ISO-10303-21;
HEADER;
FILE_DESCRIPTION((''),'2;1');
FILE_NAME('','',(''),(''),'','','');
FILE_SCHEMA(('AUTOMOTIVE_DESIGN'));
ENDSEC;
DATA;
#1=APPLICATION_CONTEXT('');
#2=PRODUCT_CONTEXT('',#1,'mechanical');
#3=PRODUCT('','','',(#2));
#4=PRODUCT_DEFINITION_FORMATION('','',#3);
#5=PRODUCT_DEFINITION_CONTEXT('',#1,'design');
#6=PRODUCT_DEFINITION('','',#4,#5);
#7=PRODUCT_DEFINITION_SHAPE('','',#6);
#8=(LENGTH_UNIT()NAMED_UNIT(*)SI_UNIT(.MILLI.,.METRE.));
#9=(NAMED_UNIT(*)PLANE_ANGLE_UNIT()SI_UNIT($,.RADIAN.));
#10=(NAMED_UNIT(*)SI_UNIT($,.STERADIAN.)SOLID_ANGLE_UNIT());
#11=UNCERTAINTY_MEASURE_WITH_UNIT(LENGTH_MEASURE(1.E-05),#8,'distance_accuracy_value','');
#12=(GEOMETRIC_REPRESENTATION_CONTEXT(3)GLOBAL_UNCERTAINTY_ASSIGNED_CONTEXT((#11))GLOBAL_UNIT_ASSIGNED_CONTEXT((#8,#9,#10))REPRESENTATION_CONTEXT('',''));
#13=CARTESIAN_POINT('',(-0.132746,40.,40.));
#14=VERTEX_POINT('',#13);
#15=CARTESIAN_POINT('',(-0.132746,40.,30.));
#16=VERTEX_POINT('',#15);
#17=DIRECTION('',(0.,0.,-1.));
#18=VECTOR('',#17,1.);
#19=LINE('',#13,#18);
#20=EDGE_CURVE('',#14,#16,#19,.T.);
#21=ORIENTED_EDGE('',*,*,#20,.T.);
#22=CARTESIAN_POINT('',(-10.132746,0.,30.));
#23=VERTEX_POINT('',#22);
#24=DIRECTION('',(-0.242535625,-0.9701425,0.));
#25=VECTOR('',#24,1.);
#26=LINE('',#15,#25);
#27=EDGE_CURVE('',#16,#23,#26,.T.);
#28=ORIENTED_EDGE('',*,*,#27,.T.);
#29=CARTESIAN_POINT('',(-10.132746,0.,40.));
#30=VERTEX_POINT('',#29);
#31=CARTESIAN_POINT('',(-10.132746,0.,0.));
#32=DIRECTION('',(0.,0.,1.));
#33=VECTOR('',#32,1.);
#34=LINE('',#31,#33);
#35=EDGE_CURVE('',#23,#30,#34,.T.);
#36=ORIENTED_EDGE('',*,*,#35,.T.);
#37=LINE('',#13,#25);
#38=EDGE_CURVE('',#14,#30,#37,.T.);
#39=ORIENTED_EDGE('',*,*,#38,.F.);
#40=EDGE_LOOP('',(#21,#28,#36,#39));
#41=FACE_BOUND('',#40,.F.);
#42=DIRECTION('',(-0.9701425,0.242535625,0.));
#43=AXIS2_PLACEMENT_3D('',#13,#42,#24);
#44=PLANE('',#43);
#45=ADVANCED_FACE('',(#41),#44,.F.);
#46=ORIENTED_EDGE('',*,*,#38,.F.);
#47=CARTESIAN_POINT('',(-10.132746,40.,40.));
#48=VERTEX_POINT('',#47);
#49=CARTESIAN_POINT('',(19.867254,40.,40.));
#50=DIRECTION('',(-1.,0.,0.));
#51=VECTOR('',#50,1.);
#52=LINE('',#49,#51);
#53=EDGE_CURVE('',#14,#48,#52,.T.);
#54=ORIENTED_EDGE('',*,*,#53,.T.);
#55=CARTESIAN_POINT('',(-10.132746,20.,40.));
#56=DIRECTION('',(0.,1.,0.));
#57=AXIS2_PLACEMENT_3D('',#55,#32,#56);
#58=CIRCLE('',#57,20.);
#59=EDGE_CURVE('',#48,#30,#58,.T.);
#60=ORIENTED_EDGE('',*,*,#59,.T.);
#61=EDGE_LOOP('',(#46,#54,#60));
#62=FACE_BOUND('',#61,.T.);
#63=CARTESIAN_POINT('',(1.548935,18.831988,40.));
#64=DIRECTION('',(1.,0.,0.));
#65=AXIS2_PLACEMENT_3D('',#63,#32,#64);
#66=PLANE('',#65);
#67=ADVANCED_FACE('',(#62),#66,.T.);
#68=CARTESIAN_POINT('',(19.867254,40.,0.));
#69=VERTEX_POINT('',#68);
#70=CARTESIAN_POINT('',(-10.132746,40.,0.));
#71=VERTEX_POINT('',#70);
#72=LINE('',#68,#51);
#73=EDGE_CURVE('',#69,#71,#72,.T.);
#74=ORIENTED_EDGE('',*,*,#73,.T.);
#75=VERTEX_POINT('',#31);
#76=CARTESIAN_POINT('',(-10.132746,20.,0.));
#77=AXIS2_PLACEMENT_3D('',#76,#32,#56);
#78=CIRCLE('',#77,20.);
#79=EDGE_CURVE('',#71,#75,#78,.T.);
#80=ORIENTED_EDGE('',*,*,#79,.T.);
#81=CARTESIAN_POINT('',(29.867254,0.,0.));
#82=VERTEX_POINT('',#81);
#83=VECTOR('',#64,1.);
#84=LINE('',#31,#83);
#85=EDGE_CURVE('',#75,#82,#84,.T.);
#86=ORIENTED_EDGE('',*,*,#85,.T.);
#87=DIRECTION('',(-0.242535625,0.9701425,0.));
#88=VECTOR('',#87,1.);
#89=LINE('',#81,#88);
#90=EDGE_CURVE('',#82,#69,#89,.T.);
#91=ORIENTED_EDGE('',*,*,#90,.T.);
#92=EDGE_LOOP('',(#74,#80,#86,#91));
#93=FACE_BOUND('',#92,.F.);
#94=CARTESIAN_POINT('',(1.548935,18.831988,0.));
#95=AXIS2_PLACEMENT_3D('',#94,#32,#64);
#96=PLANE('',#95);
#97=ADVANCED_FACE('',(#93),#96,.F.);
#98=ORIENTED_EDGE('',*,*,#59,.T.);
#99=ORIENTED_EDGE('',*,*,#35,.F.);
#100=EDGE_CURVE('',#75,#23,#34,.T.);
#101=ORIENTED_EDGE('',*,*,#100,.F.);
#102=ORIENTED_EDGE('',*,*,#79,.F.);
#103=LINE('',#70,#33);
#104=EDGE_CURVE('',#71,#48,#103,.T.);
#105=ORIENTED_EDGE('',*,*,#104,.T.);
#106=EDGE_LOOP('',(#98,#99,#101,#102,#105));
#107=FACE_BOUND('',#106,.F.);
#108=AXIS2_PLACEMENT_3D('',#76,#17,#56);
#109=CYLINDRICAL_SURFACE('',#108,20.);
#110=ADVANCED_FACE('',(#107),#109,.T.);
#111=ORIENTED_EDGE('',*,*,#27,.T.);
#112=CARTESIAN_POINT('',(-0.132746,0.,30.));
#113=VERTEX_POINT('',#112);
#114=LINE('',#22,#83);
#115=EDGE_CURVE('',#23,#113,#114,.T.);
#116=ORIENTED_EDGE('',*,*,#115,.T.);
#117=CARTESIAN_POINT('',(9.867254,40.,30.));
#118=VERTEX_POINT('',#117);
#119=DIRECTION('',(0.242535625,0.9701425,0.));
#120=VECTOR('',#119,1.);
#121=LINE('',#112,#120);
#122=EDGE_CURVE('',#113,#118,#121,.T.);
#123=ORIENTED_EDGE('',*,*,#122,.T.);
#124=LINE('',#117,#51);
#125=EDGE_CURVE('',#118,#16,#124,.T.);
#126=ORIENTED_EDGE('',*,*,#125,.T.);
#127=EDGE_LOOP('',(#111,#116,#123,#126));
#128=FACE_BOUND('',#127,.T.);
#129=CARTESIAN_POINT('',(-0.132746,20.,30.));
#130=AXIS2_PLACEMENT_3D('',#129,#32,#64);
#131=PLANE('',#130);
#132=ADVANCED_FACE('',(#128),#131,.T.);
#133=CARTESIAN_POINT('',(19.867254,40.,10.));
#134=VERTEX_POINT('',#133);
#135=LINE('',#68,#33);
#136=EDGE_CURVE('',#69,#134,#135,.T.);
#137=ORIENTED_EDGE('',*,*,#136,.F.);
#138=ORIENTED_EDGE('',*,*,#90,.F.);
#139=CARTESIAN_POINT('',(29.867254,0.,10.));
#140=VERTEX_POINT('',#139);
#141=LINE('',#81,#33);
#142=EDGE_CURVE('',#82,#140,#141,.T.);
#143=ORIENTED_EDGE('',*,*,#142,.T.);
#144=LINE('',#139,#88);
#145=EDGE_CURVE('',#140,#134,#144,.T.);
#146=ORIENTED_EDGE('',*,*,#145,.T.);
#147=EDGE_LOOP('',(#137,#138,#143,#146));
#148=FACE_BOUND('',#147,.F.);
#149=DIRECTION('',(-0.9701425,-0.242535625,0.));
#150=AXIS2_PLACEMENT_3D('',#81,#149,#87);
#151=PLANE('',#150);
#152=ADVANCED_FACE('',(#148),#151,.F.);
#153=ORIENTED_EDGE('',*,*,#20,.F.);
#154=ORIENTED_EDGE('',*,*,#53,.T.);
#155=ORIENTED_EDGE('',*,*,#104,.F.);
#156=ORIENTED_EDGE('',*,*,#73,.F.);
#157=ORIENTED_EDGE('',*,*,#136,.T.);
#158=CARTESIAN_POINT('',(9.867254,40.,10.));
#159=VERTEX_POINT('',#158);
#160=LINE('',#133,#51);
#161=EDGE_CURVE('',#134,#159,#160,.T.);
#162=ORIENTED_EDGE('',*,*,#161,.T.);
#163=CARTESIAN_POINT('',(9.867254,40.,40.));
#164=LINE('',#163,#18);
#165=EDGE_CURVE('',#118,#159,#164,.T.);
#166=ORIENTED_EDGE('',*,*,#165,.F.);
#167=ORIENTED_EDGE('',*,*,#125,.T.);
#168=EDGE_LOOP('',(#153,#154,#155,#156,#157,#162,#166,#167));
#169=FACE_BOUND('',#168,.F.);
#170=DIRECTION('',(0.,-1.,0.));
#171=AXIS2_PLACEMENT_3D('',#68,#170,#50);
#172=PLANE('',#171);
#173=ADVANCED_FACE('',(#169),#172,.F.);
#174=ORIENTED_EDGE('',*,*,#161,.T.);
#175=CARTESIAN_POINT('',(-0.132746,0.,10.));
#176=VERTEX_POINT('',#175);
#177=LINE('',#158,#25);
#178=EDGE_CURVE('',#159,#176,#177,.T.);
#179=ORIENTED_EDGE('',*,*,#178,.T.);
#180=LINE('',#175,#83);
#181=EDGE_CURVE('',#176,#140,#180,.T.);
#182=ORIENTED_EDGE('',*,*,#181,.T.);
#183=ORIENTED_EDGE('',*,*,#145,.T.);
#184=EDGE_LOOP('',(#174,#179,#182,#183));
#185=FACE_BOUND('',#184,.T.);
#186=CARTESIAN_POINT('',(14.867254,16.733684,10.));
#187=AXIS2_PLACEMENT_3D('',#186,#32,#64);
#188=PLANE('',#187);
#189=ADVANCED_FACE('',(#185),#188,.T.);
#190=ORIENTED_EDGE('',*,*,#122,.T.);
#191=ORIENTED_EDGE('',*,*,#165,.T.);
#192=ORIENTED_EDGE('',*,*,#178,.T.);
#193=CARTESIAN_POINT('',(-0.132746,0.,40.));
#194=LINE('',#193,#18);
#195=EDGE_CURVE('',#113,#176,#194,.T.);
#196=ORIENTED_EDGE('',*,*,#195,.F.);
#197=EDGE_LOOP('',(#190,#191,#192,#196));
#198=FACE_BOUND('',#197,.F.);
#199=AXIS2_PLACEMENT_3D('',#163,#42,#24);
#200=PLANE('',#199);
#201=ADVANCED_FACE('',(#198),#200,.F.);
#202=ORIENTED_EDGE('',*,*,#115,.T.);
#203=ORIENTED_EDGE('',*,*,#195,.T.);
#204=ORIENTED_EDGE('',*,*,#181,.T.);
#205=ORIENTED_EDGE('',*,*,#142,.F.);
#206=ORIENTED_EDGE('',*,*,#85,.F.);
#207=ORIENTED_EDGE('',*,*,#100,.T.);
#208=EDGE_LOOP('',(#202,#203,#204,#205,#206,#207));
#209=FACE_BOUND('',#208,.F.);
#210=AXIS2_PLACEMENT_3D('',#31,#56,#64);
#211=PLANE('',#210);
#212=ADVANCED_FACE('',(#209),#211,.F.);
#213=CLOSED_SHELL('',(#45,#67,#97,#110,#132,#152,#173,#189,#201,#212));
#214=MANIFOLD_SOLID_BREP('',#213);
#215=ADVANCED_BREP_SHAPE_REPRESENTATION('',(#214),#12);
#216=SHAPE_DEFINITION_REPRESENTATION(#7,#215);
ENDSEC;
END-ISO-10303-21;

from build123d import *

# Parameters (mm, degrees)
F1_DEPTH = 40
F3_DEPTH = 30
F5_DEPTH = 10


with BuildPart() as f1:
    # F0 (on Top) → F1 (new body)
    with BuildSketch(Plane.XY):
        with BuildLine():
            Line((-10.132746, 0), (29.867254, 0))
            Line((29.867254, 0), (19.867254, 40))
            Line((19.867254, 40), (-10.132746, 40))
            ThreePointArc((-10.132746, 40), (-30.132746, 20), (-10.132746, 0))
        make_face()
    extrude(amount=F1_DEPTH)

    # F2 (on face) → F3 (cut)
    with BuildSketch(Plane.XY.offset(40)):
        Polygon((19.867254, 40), (9.867254, 40), (-0.132746, 0), (29.867254, 0), align=None)
    extrude(amount=-F3_DEPTH, mode=Mode.SUBTRACT)

    # F4 (on face) → F5 (cut)
    with BuildSketch(Plane.XY.offset(40)):
        Polygon((9.867254, 40), (-0.132746, 40), (-10.132746, 0), (-0.132746, 0), align=None)
    extrude(amount=-F5_DEPTH, mode=Mode.SUBTRACT)


solid = f1.part
